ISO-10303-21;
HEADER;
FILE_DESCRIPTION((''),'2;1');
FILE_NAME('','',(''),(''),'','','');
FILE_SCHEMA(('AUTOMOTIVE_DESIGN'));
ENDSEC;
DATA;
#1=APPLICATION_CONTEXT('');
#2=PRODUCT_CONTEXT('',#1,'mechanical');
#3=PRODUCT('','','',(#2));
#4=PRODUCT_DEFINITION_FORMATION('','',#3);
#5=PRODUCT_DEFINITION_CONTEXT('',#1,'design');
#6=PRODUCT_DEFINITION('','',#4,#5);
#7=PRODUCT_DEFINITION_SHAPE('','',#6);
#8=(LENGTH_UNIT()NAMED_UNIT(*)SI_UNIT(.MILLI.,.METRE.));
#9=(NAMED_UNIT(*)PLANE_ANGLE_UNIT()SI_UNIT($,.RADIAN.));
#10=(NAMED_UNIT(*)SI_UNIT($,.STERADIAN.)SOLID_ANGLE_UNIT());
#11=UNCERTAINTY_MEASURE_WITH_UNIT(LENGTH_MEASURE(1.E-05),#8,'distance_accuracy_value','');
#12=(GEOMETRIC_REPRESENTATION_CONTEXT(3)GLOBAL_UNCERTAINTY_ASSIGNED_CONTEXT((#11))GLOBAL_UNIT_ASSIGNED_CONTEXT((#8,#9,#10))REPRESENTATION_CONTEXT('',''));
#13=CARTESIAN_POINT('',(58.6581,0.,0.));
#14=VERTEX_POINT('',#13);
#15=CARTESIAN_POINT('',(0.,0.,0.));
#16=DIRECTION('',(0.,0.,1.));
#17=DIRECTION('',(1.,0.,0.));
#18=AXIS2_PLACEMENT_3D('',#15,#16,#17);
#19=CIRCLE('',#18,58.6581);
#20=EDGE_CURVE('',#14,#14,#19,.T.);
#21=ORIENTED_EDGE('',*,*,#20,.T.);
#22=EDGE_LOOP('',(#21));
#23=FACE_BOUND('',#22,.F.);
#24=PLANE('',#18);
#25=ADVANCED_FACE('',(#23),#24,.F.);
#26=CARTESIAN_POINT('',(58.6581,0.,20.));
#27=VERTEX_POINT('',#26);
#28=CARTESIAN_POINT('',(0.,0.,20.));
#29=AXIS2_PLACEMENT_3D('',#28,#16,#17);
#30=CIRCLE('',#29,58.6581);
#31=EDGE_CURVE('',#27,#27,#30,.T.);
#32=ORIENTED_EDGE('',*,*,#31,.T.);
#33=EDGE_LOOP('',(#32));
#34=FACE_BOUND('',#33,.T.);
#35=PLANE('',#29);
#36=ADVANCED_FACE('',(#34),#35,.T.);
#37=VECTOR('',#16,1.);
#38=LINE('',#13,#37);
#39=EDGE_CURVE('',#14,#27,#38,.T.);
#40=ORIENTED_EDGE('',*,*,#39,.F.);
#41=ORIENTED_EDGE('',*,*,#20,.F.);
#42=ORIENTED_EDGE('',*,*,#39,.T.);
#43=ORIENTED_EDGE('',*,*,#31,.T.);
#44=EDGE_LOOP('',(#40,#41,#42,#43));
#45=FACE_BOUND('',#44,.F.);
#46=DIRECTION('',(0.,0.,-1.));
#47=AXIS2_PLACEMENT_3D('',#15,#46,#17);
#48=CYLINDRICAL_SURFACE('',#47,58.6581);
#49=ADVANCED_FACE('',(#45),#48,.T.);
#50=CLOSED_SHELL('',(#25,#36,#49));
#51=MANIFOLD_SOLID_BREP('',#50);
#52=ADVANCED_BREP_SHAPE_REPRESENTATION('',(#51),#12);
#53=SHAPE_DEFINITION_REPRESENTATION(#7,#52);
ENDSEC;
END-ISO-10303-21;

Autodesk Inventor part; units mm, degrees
sketch "Sketch1" plane through (0, 0, 0) normal (0, 0, 1) x (1, 0, 0)
  circle A0 centre (0, 0) radius 58.6581
  dimension "d0" = 117.3163
extrude "Extrusion1" add sketch "Sketch1" along normal blind 20
ref_plane "Work Plane2" through (0, 0, 10) normal (0, 0, 1) x (1, 0, 0)
sketch "Sketch2" plane through (0, 0, 0) normal (0, 0, -1) x (-1, 0, 0)
  circle A0 centre (0, 0) radius 58.6581 projected
  circle A1 centre (0, 0) radius 60.6581
  dimension "d3" = 121.3163
feature "Pitch Diameter" [suppressed]
ref_plane "Work Plane8" through (0, 0, 0) normal (0.9985, 0.0551, 0) x (0, 0, 1)
ref_plane "Work Plane9" through (0, 0, 0) normal (1, 0, 0) x (0, 1, 0)
feature "Spur Gear" [suppressed]
equation "\"d0\" = da_da"
equation "\"d1\" = da_b"
equation "\"d3\" = da_d"
equation "\"d16\" = da_aw"
equation "\"d43\" = da_aw"
equation "\"d46\" = da_aw"
equation "\"da_da\" = 117.316266"
equation "\"da_b\" = 20"
equation "\"da_d\" = 121.316266"
equation "\"da_aw\" = 104"
properties part number "Spur Gear2" material "Steel"
